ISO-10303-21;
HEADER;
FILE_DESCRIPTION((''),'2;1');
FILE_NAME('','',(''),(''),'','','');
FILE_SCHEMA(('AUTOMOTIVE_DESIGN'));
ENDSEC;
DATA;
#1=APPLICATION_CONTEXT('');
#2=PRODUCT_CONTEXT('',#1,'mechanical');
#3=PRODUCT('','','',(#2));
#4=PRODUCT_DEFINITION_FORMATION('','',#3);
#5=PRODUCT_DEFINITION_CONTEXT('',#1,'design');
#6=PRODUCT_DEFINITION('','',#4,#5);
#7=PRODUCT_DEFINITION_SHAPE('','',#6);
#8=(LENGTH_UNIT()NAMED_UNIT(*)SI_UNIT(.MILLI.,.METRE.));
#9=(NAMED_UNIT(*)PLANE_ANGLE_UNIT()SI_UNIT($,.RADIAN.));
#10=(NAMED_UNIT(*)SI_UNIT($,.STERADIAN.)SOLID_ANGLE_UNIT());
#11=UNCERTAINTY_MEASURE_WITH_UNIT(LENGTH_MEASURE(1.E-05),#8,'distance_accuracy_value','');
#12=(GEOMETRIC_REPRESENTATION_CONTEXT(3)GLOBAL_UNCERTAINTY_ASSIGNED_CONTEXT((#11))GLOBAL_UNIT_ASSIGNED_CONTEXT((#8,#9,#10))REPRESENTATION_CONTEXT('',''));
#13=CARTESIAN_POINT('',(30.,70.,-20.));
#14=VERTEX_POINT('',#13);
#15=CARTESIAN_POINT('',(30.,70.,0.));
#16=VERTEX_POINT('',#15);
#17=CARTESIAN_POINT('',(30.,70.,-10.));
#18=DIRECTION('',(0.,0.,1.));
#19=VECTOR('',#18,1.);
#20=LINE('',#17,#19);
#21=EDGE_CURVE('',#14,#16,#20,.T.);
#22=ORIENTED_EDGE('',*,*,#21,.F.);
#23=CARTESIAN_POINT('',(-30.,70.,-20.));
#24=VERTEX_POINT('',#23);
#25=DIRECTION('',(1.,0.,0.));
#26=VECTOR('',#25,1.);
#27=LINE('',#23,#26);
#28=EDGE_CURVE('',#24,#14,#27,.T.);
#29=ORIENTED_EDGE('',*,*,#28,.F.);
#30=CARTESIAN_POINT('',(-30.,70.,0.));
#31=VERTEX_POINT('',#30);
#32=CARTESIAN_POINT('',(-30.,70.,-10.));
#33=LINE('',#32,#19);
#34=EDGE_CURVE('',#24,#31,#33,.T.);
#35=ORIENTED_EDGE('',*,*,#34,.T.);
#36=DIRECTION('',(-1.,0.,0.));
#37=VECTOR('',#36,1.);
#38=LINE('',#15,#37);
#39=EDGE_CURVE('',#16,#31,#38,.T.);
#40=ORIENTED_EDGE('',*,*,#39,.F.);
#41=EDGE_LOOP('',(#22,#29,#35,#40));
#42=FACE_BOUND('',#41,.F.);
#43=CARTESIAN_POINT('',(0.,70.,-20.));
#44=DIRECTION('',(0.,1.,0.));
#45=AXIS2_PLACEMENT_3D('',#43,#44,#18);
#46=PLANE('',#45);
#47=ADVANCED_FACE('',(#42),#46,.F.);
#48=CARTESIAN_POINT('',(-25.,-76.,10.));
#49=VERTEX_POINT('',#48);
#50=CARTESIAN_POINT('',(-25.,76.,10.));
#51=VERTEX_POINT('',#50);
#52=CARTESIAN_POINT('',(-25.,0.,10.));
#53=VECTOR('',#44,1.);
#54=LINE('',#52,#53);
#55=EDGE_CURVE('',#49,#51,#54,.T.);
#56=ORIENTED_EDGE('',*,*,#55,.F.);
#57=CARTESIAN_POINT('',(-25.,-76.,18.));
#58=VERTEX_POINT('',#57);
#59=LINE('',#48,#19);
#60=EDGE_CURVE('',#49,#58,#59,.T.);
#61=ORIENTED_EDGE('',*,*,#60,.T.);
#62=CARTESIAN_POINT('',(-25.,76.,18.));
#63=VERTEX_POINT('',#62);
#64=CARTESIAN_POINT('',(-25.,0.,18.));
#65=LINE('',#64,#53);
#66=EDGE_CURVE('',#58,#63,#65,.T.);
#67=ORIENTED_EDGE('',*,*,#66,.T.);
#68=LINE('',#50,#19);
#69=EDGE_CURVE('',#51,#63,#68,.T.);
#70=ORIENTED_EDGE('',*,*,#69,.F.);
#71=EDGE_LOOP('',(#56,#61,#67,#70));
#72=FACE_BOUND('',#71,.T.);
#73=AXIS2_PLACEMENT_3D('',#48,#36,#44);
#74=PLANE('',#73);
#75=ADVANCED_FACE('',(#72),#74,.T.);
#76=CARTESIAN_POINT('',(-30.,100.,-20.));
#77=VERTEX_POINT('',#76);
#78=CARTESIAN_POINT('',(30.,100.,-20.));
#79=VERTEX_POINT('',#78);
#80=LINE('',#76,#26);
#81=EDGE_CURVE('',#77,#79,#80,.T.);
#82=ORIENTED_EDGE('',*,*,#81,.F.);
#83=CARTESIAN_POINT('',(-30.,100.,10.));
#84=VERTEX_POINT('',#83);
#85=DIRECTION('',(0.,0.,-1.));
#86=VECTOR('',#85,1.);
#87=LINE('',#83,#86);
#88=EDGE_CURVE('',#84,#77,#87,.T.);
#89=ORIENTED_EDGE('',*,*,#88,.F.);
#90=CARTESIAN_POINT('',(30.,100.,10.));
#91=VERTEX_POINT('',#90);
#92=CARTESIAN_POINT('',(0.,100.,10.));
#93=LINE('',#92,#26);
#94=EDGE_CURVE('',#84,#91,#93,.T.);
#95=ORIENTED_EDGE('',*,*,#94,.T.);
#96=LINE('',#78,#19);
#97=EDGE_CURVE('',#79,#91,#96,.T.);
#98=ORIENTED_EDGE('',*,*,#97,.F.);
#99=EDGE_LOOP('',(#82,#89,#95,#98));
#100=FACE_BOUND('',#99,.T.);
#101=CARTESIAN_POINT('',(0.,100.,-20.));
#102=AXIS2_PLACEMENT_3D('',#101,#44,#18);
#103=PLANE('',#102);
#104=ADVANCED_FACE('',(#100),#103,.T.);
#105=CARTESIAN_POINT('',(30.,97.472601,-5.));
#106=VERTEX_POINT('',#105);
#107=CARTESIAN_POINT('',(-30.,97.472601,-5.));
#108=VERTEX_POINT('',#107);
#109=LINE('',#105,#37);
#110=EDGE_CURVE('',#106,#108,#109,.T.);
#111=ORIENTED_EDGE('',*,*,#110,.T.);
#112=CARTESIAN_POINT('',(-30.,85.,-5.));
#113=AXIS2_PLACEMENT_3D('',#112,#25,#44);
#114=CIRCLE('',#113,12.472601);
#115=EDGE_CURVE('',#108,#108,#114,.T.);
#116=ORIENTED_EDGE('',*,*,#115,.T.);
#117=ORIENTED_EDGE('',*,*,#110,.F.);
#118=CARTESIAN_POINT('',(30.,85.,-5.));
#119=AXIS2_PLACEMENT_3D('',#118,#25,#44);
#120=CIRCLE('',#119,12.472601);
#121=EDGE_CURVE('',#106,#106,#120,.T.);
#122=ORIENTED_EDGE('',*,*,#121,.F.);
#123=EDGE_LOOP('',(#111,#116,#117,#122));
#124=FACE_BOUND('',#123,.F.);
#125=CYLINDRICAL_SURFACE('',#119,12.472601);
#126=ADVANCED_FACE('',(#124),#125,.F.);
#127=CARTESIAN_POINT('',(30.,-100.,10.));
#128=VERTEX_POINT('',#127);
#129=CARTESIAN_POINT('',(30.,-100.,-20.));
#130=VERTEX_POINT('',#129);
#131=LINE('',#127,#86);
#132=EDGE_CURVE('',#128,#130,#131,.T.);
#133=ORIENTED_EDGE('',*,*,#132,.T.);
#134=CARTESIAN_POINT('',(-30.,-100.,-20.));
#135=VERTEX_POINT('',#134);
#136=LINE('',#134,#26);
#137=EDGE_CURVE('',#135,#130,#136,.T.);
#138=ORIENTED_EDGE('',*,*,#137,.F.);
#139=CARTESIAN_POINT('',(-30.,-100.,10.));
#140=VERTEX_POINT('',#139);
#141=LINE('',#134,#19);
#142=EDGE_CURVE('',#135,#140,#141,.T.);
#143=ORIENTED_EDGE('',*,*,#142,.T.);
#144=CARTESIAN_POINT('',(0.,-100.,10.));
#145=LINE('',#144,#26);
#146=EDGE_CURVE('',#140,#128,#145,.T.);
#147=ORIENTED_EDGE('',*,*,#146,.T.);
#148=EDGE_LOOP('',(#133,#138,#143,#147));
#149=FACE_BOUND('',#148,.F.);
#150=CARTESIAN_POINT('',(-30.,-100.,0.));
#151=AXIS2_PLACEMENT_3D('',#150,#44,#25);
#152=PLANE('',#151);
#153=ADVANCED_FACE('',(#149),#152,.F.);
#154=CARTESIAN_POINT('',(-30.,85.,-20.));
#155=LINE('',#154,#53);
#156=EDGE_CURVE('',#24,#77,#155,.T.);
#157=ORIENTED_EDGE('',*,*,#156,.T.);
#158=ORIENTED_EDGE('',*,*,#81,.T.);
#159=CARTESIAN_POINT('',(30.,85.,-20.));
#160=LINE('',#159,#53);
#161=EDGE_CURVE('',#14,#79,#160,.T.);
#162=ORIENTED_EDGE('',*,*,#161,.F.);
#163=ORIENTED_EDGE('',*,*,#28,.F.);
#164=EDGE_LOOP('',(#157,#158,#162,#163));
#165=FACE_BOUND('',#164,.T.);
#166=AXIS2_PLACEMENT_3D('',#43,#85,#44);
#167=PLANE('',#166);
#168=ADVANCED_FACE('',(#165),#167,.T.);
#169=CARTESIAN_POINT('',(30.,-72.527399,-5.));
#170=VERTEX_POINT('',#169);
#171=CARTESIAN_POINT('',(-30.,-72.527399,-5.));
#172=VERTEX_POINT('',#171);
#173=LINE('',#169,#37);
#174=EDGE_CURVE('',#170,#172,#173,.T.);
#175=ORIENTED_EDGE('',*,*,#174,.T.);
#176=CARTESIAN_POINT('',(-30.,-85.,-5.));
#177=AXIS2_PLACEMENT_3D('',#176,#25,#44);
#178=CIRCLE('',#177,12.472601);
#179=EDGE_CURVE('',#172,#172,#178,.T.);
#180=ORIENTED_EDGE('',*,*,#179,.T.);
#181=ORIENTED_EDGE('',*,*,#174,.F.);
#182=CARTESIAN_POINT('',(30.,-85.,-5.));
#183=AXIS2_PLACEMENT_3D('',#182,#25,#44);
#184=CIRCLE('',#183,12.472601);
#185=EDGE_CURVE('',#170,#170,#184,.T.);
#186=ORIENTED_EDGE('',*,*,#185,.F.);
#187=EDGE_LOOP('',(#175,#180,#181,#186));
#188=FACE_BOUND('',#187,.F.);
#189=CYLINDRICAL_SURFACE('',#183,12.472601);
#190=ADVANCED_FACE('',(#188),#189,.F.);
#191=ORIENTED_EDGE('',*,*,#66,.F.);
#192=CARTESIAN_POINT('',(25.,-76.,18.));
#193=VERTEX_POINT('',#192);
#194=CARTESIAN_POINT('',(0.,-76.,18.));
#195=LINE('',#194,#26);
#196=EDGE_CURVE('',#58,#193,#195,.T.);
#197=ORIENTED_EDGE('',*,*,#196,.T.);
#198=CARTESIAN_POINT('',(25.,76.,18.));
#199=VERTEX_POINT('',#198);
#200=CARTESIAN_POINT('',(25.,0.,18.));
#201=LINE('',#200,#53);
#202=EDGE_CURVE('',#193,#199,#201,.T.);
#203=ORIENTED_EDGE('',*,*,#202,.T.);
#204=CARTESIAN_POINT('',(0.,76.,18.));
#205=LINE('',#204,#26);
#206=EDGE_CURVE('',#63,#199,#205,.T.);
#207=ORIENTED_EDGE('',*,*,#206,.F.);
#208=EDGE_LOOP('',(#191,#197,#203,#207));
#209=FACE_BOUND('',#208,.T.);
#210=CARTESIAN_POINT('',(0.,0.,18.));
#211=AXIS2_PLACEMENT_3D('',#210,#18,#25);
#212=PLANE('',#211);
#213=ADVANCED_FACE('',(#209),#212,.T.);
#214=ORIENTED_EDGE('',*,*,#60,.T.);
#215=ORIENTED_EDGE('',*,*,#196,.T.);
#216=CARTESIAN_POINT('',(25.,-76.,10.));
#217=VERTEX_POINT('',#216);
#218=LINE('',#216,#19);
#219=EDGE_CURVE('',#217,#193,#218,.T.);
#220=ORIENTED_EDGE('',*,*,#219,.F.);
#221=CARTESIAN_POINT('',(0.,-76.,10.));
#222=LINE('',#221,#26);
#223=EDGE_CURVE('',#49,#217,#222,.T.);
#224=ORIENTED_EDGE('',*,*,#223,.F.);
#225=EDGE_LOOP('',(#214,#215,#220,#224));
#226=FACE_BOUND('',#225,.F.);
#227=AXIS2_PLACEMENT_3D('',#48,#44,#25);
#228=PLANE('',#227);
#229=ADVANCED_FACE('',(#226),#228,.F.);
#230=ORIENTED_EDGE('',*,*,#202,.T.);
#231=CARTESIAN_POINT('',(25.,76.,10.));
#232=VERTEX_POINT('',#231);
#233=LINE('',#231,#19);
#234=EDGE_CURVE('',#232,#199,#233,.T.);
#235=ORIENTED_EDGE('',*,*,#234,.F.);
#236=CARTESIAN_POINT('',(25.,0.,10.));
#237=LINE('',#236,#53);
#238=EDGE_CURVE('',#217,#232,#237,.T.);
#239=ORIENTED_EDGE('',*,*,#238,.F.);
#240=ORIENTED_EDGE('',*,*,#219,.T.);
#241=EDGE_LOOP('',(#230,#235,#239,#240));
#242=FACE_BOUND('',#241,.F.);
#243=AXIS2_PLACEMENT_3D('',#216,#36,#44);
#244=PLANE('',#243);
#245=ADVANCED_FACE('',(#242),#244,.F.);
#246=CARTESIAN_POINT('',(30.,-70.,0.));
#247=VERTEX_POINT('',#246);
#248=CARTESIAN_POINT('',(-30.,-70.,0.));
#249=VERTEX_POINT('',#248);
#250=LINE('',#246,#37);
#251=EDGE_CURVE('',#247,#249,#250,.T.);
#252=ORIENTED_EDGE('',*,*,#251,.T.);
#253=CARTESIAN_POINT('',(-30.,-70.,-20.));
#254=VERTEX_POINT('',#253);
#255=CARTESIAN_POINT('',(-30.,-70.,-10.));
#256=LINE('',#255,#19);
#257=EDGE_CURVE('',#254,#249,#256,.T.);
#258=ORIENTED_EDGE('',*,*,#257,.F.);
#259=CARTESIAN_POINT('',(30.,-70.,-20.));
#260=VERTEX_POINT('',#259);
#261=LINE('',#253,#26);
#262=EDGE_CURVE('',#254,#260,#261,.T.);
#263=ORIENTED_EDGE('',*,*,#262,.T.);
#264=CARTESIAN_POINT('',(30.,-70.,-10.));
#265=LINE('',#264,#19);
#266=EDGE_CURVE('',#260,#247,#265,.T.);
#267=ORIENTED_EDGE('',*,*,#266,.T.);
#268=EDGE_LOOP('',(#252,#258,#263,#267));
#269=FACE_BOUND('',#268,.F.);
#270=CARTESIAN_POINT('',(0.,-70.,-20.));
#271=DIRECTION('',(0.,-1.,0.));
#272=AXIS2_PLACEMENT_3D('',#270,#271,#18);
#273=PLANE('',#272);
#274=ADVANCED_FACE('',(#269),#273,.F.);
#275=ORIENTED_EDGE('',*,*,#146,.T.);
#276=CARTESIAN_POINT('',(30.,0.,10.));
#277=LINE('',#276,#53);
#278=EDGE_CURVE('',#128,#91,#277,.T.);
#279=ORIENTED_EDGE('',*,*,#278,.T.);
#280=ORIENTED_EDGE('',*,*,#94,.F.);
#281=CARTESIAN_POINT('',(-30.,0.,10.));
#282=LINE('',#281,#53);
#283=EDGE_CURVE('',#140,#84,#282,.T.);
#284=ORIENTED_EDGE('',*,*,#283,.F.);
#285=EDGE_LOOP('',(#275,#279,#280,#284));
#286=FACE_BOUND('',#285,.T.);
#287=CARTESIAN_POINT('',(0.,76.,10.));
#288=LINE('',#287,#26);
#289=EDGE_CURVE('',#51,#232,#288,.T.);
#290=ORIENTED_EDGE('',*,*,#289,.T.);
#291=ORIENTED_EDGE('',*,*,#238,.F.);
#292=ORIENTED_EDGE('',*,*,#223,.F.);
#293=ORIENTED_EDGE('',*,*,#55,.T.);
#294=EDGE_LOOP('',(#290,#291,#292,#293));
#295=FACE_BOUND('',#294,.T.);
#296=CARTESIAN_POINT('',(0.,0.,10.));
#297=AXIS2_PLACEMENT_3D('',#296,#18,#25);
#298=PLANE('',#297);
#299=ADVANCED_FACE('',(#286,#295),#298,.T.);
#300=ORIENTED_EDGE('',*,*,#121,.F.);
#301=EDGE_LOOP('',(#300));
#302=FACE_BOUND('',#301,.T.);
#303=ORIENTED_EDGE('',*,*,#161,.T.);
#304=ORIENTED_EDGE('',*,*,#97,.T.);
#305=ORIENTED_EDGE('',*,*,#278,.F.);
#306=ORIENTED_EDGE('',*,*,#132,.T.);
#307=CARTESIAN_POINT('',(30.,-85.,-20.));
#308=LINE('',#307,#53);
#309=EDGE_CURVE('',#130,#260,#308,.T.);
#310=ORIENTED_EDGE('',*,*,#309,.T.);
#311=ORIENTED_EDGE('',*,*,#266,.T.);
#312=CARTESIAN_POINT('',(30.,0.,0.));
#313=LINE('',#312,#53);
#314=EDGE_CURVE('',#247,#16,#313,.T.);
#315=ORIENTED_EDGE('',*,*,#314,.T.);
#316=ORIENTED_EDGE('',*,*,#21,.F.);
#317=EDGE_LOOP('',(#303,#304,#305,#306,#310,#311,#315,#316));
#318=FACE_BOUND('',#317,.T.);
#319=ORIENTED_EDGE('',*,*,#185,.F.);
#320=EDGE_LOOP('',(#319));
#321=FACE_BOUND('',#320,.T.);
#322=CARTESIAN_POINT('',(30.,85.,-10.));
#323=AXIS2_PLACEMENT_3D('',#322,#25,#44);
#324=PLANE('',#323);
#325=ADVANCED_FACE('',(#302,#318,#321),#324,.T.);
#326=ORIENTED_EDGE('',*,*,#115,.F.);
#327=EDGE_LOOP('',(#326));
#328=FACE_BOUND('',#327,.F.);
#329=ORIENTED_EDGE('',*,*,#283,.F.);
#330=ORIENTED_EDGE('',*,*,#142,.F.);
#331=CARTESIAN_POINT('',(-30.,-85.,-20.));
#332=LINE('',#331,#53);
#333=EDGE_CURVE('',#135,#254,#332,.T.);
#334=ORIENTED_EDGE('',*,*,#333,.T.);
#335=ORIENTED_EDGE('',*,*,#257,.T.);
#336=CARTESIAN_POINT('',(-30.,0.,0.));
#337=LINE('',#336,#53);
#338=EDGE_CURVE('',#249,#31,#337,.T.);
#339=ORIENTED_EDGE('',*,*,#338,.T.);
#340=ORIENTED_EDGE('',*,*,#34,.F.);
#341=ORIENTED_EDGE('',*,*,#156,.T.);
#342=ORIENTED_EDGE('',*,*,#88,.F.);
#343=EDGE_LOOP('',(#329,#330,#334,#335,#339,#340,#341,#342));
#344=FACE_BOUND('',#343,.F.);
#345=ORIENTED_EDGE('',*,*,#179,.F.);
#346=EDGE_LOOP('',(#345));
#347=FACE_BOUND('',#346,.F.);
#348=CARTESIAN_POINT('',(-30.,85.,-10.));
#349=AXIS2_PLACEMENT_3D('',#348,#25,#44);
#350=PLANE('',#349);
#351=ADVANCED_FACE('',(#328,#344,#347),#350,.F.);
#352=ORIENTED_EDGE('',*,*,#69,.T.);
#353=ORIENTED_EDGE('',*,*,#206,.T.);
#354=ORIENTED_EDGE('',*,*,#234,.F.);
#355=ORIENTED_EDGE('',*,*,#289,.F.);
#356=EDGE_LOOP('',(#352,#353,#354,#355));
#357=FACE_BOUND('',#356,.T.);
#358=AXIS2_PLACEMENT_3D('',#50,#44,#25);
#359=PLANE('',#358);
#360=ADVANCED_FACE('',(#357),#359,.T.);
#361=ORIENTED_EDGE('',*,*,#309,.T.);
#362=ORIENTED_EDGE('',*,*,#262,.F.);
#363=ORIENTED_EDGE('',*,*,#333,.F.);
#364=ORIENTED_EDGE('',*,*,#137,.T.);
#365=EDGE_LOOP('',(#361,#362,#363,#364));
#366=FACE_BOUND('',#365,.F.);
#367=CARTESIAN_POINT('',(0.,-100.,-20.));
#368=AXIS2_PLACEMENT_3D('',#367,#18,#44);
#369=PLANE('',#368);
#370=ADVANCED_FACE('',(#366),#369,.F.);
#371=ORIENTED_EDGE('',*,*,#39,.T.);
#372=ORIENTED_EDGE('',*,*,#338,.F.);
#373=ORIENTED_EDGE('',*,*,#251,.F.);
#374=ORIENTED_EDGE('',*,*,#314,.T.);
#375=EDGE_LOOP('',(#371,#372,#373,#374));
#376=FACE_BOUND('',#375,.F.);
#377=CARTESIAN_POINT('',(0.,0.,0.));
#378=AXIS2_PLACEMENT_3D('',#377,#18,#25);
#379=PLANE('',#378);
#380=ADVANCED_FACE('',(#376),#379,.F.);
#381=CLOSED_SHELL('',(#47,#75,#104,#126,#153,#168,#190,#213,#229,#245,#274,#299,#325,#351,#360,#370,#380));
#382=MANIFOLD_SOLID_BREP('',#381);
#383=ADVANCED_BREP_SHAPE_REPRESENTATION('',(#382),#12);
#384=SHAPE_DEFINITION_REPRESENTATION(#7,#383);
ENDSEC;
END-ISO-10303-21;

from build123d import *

# Parameters (mm, degrees)
F0_W     = 60
F0_H     = 200
F1_DEPTH = 10
F2_W     = 30
F2_H     = 20
F3_DEPTH = 30
F4_W     = 50
F4_H     = 152
F5_DEPTH = 8
F6_R     = 12.472601
F7_DEPTH = 60.001


with BuildPart() as f1:
    # F0 (on Top) → F1 (new body)
    with BuildSketch(Plane.XY):
        Rectangle(F0_W, F0_H)
    extrude(amount=F1_DEPTH)

    # F2 (on Right) → F3 (join, symmetric)
    with BuildSketch(Plane.YZ):
        with Locations((-85, -10)):
            Rectangle(F2_W, F2_H)
        with Locations((85, -10)):
            Rectangle(F2_W, F2_H)
    extrude(amount=F3_DEPTH, both=True)

    # F4 (on face) → F5 (join)
    with BuildSketch(Plane.XY.offset(10)):
        Rectangle(F4_W, F4_H)
    extrude(amount=F5_DEPTH)

    # F6 (on face) → F7 (cut, through all)
    with BuildSketch(Plane.YZ.offset(30)):
        with Locations((-85, -5)):
            Circle(F6_R)
        with Locations((85, -5)):
            Circle(F6_R)
    extrude(amount=-F7_DEPTH, mode=Mode.SUBTRACT)


solid = f1.part
